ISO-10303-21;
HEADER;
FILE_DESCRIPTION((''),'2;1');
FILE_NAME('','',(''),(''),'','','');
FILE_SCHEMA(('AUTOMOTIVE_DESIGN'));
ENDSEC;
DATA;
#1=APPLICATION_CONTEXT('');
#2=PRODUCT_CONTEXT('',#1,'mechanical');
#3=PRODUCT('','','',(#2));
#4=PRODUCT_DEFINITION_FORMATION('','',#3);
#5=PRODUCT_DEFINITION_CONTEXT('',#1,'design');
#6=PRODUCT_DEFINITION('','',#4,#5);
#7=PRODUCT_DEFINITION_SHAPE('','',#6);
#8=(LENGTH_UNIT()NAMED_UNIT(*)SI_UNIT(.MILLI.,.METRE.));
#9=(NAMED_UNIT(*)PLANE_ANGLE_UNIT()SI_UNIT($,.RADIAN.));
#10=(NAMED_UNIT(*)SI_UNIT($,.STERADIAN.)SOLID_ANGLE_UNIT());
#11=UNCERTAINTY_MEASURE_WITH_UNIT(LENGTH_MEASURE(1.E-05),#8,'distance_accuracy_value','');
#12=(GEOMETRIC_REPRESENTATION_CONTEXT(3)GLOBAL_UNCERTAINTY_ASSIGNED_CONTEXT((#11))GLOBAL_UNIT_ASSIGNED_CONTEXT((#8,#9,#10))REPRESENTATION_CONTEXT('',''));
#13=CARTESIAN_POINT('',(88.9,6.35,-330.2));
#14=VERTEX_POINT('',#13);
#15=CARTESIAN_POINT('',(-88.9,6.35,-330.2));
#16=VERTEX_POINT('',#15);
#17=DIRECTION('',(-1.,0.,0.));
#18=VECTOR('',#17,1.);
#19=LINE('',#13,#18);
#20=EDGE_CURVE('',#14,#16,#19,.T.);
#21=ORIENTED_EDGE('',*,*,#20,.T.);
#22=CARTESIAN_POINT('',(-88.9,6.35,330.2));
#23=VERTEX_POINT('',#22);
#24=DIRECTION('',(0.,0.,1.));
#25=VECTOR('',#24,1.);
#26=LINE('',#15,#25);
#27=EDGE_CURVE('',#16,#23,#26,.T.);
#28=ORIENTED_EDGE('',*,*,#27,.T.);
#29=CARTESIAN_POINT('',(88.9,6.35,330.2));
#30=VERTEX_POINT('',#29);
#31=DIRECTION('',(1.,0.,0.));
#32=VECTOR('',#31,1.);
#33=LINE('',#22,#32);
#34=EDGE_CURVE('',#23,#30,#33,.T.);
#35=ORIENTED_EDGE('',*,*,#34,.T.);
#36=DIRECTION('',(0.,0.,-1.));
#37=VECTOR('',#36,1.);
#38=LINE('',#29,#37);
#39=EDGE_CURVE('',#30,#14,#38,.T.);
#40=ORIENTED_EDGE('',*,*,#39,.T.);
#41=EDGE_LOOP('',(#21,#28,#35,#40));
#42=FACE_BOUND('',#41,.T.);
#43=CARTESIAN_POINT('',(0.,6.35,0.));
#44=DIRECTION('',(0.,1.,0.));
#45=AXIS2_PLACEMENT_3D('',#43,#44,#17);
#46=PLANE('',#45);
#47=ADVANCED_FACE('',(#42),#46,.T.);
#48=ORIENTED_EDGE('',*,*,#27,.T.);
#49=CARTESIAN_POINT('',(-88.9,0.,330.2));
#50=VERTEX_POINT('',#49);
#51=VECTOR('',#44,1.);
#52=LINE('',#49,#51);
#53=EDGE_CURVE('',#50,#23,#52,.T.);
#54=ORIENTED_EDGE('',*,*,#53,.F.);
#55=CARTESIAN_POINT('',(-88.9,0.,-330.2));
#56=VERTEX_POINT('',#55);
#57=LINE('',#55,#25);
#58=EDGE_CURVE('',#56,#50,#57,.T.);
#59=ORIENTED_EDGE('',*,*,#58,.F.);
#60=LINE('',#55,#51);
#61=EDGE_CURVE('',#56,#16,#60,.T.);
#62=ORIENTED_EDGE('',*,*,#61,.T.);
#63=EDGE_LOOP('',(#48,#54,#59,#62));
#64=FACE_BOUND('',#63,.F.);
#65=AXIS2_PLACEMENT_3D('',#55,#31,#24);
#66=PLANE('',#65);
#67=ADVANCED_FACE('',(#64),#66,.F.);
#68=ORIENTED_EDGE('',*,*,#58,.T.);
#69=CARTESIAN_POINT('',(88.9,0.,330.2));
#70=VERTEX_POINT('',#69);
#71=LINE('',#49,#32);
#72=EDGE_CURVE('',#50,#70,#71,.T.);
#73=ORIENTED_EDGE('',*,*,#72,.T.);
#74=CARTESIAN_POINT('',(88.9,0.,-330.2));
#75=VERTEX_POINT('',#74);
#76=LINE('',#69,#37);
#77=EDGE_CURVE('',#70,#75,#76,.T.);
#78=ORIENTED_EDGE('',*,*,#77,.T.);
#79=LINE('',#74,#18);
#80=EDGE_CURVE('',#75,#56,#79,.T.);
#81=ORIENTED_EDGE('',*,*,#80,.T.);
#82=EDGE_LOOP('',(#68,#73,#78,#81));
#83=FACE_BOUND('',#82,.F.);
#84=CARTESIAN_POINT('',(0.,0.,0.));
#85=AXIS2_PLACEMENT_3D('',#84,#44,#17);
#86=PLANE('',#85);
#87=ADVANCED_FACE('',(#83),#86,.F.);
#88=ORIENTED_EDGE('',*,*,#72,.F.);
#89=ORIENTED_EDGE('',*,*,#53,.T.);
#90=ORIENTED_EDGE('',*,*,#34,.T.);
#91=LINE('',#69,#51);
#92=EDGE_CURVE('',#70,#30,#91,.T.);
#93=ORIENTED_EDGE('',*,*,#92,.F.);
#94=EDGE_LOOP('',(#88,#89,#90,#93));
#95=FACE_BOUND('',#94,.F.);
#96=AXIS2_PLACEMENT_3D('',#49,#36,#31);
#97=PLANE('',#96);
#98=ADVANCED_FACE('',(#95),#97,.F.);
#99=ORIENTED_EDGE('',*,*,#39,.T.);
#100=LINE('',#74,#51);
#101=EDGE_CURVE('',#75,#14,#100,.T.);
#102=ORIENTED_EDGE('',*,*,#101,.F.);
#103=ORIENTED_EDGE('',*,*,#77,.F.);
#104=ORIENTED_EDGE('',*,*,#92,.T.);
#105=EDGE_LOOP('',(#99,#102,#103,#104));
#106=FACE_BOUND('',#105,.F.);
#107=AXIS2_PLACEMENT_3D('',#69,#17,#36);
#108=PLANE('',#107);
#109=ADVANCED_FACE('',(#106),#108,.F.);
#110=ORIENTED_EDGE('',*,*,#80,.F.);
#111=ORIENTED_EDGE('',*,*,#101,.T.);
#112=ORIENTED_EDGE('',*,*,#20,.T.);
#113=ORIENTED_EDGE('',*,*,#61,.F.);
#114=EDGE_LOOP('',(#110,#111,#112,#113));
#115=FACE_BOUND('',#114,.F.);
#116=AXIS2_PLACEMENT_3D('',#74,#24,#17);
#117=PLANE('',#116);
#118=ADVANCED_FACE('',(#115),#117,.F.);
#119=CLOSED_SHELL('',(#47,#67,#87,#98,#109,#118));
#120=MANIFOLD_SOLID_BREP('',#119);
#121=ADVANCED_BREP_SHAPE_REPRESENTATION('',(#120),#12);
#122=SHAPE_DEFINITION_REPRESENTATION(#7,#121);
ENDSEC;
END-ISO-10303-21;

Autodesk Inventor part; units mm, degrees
ref_plane "YZ Plane" through (0, 0, 0) normal (1, 0, 0) x (0, 1, 0)
ref_plane "XZ Plane" through (0, 0, 0) normal (0, 1, 0) x (-1, 0, 0)
ref_plane "XY Plane" through (0, 0, 0) normal (0, 0, 1) x (1, 0, 0)
sketch "Sketch1" plane through (0, 0, 0) normal (0, 1, 0) x (-1, 0, 0)
  line L0 (88.9, 330.2) -> (-88.9, 330.2)
  line L1 (-88.9, 330.2) -> (-88.9, -330.2)
  line L2 (-88.9, -330.2) -> (88.9, -330.2)
  line L3 (88.9, -330.2) -> (88.9, 330.2)
  line L4 (88.9, 330.2) -> (-88.9, -330.2) construction
  line L5 (-88.9, 330.2) -> (88.9, -330.2) construction
  point P0 (0, 0)
  dimension "d0" = 177.8
  dimension "d4" = 660.4
extrude "Extrusion1" add sketch "Sketch1" along normal blind 6.35
properties part number "y-axis_mount_plate"
